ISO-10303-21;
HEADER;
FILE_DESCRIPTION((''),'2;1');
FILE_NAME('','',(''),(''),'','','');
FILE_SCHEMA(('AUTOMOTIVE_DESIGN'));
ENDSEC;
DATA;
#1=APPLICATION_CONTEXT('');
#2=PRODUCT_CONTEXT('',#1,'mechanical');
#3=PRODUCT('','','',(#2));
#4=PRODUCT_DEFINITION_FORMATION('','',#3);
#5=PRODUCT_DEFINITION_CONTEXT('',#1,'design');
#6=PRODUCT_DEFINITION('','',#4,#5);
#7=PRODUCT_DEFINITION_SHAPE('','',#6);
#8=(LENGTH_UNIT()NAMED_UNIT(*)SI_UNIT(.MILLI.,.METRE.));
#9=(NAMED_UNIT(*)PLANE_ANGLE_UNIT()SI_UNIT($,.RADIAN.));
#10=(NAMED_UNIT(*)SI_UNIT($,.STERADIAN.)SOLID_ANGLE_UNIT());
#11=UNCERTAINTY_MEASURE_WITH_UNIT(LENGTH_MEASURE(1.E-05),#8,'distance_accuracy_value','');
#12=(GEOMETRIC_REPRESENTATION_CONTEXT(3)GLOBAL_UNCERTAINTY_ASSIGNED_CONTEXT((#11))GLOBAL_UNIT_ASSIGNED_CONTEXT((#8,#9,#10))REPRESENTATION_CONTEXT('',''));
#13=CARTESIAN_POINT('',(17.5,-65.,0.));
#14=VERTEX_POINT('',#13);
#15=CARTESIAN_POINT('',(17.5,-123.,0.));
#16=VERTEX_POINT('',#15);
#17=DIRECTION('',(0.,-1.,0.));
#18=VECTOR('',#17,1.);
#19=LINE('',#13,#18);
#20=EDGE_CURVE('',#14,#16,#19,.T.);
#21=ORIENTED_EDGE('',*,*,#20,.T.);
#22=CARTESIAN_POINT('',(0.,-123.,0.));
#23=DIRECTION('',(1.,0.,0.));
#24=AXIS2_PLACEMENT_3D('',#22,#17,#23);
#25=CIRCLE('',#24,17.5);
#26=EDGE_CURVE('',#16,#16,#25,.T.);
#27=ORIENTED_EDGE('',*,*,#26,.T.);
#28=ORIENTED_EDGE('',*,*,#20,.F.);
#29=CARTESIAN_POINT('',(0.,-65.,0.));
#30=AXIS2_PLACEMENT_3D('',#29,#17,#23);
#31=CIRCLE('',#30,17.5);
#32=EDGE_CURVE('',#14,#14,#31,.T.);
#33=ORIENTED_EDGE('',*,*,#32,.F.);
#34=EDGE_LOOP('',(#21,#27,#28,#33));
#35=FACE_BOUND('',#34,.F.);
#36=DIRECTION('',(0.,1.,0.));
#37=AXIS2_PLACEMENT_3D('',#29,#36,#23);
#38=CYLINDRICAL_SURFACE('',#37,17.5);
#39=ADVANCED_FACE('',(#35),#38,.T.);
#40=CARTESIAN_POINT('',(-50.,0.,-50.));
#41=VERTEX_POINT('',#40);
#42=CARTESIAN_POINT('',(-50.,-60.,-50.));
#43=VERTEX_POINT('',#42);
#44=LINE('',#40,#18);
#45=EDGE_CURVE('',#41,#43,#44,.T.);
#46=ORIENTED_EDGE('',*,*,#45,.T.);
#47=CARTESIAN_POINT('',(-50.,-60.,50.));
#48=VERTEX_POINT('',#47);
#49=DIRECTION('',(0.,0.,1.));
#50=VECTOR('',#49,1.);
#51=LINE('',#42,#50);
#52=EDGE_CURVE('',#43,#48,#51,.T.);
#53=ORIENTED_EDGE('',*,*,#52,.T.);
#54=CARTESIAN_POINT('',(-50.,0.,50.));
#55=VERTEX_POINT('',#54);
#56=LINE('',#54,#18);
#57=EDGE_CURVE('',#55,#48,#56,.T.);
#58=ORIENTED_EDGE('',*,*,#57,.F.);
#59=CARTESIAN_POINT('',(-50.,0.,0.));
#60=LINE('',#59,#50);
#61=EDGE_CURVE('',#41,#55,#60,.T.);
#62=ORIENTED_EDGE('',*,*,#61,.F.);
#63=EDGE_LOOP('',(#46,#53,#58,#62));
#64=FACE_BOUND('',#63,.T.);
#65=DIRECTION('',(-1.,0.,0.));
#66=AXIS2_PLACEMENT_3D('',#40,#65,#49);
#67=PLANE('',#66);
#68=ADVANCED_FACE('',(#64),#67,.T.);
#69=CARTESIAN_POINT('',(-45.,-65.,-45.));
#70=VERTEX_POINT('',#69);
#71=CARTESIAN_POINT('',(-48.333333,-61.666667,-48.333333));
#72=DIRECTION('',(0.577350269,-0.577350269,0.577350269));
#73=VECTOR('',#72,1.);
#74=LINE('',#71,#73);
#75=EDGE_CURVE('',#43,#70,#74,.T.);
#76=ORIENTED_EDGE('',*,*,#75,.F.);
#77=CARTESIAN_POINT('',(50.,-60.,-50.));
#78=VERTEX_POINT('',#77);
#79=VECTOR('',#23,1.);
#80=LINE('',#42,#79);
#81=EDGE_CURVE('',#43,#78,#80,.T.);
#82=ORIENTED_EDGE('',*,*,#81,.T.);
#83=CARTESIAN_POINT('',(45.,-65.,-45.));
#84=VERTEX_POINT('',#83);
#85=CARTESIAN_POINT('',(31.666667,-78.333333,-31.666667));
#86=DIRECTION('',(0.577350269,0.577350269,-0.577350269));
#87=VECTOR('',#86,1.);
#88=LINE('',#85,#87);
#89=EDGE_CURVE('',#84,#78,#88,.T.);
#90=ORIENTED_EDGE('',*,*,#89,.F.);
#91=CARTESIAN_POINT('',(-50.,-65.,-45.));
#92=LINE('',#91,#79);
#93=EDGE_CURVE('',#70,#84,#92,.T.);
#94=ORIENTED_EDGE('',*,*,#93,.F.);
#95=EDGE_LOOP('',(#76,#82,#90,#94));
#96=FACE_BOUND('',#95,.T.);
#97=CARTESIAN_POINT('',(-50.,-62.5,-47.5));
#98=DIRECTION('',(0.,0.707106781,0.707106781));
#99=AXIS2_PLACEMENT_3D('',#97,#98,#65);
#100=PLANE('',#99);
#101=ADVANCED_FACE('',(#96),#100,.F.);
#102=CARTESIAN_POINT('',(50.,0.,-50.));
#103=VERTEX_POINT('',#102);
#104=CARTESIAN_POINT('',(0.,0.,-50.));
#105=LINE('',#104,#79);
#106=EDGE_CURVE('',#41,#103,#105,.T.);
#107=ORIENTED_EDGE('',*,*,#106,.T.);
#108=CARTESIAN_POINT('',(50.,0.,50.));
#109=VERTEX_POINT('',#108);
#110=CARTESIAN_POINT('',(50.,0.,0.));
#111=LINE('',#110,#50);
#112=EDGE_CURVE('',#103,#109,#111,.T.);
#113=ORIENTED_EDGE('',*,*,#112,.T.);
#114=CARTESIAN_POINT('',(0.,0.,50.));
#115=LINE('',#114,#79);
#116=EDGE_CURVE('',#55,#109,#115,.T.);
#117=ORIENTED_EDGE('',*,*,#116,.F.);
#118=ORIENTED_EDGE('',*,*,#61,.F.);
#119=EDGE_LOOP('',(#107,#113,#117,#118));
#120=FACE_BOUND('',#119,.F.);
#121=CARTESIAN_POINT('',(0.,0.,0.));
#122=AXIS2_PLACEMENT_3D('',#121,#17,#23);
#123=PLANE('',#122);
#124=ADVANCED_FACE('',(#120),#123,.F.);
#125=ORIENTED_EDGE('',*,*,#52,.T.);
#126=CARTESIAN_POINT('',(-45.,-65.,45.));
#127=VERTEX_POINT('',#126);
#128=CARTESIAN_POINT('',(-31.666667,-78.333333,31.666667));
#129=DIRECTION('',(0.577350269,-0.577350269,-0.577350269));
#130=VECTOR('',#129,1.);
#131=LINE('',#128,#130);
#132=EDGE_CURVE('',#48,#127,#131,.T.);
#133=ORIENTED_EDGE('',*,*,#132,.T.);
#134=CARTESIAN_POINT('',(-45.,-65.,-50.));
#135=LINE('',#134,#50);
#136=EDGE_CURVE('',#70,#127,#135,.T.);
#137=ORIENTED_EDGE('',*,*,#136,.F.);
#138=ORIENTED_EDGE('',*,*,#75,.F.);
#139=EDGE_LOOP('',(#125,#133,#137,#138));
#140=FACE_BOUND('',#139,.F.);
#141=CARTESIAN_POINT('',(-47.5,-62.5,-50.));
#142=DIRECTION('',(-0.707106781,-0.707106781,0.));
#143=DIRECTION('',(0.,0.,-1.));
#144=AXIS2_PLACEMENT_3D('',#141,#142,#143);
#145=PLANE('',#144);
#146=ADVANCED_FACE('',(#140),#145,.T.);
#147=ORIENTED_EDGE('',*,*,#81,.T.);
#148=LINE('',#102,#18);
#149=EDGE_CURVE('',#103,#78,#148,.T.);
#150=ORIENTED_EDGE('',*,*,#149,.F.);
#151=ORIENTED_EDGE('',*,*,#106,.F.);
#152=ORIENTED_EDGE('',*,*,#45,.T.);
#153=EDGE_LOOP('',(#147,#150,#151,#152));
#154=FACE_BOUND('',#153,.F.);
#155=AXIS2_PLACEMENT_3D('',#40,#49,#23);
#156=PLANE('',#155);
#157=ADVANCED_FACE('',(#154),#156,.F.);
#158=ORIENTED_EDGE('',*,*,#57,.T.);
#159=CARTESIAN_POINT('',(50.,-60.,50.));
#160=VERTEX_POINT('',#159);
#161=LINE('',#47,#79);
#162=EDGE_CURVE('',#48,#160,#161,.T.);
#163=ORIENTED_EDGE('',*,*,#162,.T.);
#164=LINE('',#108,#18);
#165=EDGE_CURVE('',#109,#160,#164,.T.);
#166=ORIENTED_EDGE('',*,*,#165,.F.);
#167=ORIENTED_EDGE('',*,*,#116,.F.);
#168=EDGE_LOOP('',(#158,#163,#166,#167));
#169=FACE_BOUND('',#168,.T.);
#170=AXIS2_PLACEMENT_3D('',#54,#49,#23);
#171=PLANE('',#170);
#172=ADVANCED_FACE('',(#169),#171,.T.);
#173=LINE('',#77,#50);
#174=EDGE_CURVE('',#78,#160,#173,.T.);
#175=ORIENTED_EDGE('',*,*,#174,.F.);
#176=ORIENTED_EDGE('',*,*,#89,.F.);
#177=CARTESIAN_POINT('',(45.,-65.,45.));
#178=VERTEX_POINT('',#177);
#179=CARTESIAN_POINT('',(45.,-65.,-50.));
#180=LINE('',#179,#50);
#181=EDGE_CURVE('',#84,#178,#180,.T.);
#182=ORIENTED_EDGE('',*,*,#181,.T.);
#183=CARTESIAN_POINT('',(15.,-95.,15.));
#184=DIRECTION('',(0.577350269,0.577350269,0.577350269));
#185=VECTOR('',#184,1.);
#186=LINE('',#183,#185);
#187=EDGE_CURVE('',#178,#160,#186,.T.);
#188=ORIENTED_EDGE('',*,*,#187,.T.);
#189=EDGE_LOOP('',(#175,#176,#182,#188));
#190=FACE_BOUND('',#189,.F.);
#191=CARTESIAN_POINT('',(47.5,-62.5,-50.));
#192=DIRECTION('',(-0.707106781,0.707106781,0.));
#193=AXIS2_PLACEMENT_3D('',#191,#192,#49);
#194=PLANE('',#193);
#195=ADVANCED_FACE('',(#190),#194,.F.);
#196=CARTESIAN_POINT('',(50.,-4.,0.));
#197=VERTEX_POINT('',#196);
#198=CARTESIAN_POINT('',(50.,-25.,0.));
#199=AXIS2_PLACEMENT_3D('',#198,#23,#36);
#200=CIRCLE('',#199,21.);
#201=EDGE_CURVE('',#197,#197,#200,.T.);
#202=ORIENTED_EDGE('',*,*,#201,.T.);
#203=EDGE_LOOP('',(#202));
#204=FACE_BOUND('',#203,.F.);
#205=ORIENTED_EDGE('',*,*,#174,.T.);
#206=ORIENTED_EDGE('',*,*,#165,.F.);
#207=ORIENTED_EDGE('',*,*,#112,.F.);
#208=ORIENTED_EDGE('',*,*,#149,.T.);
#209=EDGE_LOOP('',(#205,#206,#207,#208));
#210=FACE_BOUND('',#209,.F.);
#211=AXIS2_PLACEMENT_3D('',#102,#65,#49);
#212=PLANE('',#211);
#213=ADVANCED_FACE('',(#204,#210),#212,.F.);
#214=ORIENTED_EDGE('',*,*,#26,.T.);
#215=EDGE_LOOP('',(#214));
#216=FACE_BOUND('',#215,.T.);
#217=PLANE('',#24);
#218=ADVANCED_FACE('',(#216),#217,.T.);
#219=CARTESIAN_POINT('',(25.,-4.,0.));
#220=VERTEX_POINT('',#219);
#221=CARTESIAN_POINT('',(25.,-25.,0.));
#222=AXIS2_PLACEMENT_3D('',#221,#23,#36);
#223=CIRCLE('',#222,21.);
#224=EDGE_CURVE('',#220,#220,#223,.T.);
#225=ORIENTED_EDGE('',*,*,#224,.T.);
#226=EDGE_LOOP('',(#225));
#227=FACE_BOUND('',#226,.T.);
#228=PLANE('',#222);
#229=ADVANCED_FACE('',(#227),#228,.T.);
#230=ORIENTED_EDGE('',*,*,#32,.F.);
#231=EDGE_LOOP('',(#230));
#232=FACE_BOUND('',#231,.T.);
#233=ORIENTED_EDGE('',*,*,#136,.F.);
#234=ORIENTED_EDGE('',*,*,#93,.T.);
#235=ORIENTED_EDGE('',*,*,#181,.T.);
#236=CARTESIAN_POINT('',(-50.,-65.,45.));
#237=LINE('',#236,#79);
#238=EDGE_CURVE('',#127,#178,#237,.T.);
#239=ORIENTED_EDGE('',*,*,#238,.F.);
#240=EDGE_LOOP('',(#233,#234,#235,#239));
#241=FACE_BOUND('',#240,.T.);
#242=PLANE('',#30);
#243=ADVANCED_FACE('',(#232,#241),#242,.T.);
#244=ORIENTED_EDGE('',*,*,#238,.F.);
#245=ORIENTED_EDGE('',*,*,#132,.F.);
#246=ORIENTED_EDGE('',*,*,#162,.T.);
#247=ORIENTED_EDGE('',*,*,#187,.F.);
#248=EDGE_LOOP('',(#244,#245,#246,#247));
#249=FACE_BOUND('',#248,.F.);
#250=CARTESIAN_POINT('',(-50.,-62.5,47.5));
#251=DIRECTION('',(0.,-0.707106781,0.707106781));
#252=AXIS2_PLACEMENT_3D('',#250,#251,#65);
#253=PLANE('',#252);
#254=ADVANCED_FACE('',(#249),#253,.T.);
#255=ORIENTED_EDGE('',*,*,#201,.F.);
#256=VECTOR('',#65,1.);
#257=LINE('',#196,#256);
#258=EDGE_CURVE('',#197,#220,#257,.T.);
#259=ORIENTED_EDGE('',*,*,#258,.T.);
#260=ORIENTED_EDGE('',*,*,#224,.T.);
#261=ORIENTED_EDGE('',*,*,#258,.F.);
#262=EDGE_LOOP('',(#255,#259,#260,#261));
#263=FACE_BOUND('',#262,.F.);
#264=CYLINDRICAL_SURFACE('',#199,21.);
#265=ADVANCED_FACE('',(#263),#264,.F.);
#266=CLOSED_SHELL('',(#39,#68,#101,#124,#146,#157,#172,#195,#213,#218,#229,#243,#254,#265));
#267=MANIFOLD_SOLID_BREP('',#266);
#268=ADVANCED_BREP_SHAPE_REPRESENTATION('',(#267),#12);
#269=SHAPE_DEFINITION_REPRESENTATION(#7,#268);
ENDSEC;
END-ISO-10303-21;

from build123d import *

# Parameters (mm, degrees)
F0_W     = 100
F0_H     = 100
F1_DEPTH = 65
F2_R     = 17.5
F3_DEPTH = 58
F4_SIZE  = 5
F5_R     = 21
F6_DEPTH = 25


with BuildPart() as f1:
    # F0 (on Front) → F1 (new body)
    with BuildSketch(Plane.XZ):
        Rectangle(F0_W, F0_H)
    extrude(amount=F1_DEPTH)

    # F2 (on face) → F3 (join)
    with BuildSketch(Plane.XZ.offset(65)):
        Circle(F2_R)
    extrude(amount=F3_DEPTH)

    # F4
    f4_edges = [f1.edges().sort_by_distance(p)[0] for p in [
        (50, -65, 0),
        (0, -65, -50),
        (0, -65, 50),
        (-50, -65, 0),
    ]]
    chamfer(f4_edges, length=F4_SIZE)

    # F5 (on face) → F6 (cut)
    with BuildSketch(Plane.YZ.offset(50)):
        with Locations((-25, 0)):
            Circle(F5_R)
    extrude(amount=-F6_DEPTH, mode=Mode.SUBTRACT)


solid = f1.part
